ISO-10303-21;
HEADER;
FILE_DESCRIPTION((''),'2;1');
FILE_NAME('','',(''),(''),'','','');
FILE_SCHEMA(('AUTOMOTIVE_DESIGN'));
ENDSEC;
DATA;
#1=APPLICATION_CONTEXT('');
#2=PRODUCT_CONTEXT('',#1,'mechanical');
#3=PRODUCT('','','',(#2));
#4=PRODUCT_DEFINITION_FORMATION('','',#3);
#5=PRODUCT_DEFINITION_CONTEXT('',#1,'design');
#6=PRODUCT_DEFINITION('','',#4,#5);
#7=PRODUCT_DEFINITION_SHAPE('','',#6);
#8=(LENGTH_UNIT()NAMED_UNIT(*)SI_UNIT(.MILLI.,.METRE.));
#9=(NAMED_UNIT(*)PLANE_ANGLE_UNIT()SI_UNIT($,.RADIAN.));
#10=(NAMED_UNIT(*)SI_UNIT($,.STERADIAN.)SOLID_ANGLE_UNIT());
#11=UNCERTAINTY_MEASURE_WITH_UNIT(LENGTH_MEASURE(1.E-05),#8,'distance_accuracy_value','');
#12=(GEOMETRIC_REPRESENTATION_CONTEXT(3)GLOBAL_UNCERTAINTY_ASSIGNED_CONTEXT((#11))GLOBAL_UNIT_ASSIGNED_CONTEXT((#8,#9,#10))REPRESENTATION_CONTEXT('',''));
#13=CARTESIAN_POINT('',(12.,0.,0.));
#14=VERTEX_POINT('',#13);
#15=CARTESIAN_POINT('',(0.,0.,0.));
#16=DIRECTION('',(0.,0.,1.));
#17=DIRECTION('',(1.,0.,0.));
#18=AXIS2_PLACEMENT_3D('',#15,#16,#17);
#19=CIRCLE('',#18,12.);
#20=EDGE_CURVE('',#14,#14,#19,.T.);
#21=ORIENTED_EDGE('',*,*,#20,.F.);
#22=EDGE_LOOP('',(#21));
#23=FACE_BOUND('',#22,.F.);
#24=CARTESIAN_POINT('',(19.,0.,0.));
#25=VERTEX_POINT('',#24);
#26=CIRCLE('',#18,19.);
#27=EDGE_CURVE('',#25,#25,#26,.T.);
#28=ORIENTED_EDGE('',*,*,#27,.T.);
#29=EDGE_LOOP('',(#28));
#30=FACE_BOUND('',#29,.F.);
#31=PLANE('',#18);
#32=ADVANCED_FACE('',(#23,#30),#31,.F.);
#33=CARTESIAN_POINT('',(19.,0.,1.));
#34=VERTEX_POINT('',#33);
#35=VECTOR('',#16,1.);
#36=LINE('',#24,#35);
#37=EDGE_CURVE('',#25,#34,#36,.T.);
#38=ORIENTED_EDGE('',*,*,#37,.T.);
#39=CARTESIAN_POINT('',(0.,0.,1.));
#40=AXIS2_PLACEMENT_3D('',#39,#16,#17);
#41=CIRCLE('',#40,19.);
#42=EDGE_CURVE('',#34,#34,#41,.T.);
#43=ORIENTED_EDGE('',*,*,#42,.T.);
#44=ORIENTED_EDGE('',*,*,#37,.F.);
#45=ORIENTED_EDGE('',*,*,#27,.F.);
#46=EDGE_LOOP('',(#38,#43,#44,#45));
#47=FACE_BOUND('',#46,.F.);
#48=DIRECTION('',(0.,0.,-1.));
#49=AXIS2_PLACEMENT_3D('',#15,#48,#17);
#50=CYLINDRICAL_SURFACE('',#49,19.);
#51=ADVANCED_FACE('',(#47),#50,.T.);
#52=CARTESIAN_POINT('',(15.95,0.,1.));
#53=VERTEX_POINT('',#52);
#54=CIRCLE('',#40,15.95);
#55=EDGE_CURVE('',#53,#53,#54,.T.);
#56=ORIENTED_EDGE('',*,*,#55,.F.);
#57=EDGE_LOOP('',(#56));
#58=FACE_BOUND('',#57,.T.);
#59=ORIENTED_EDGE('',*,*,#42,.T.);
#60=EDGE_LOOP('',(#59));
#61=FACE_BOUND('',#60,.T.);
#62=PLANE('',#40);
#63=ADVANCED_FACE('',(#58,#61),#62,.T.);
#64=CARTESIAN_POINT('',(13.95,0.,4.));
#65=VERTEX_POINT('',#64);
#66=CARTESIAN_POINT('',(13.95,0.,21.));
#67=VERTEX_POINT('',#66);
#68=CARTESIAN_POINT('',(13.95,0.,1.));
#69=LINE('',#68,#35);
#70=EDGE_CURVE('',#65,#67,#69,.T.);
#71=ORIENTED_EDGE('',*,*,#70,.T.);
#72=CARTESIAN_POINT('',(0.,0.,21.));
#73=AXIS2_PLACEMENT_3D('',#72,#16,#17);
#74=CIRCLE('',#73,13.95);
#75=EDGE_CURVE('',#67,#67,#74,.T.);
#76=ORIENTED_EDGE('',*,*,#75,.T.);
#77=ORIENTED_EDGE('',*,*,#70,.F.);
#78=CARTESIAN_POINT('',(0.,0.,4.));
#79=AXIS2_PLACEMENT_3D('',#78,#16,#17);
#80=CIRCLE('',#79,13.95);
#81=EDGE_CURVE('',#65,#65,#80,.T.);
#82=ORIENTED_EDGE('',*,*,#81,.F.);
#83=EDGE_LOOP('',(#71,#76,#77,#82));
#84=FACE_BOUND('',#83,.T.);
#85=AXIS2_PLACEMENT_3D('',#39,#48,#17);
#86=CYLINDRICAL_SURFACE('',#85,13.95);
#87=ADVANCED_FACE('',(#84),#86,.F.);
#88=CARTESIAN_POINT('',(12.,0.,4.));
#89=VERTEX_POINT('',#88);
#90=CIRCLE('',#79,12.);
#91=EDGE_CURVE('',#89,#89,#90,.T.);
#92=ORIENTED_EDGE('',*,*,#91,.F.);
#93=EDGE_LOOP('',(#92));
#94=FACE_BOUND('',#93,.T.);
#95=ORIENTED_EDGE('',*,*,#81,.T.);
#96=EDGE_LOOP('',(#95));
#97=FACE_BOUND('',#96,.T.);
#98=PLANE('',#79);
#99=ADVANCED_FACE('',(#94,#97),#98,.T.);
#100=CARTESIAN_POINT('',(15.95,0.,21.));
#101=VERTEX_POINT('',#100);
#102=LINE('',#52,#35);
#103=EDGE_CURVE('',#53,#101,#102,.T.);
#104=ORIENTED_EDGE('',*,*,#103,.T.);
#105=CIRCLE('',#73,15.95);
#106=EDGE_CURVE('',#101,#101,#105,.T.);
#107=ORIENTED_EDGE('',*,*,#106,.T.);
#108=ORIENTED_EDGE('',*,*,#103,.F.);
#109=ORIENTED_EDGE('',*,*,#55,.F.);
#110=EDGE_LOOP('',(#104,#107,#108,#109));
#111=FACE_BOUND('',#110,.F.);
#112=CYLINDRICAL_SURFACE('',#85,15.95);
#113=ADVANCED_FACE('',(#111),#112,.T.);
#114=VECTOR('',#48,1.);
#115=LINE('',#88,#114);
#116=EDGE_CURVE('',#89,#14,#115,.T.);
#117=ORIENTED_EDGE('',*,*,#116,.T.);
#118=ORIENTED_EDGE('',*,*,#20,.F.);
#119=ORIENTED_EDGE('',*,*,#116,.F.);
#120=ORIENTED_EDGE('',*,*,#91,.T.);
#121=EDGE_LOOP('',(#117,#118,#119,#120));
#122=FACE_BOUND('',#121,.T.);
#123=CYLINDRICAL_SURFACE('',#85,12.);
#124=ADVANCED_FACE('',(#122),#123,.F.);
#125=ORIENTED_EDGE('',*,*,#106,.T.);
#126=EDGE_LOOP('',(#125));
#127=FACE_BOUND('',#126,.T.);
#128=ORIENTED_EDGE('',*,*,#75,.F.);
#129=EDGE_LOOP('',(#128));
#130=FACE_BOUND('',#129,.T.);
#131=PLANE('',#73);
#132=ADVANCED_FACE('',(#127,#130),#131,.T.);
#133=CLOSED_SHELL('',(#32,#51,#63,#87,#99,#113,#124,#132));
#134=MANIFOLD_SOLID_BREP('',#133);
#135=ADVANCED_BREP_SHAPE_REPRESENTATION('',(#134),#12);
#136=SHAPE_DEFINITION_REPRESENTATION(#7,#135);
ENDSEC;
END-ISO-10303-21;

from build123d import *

# Parameters (mm, degrees)
SKETCH_R      = 19
SKETCH_R_2    = 12
PAD_DEPTH     = 1
SKETCH001_R   = 15.95
SKETCH001_R_2 = 13.95
PAD001_DEPTH  = 20
SKETCH002_R   = 13.95
SKETCH002_R_2 = 12
PAD002_DEPTH  = 3


with BuildPart() as part:
    # Sketch → Pad (new body)
    with BuildSketch(Plane.XY):
        Circle(SKETCH_R)
        Circle(SKETCH_R_2, mode=Mode.SUBTRACT)
    extrude(amount=PAD_DEPTH)

    # Sketch001 → Pad001 (new body)
    with BuildSketch(Plane.XY.offset(1)):
        Circle(SKETCH001_R)
        Circle(SKETCH001_R_2, mode=Mode.SUBTRACT)
    extrude(amount=PAD001_DEPTH)

    # Sketch002 → Pad002 (new body)
    with BuildSketch(Plane.XY.offset(1)):
        Circle(SKETCH002_R)
        Circle(SKETCH002_R_2, mode=Mode.SUBTRACT)
    extrude(amount=PAD002_DEPTH)


solid = part.part
